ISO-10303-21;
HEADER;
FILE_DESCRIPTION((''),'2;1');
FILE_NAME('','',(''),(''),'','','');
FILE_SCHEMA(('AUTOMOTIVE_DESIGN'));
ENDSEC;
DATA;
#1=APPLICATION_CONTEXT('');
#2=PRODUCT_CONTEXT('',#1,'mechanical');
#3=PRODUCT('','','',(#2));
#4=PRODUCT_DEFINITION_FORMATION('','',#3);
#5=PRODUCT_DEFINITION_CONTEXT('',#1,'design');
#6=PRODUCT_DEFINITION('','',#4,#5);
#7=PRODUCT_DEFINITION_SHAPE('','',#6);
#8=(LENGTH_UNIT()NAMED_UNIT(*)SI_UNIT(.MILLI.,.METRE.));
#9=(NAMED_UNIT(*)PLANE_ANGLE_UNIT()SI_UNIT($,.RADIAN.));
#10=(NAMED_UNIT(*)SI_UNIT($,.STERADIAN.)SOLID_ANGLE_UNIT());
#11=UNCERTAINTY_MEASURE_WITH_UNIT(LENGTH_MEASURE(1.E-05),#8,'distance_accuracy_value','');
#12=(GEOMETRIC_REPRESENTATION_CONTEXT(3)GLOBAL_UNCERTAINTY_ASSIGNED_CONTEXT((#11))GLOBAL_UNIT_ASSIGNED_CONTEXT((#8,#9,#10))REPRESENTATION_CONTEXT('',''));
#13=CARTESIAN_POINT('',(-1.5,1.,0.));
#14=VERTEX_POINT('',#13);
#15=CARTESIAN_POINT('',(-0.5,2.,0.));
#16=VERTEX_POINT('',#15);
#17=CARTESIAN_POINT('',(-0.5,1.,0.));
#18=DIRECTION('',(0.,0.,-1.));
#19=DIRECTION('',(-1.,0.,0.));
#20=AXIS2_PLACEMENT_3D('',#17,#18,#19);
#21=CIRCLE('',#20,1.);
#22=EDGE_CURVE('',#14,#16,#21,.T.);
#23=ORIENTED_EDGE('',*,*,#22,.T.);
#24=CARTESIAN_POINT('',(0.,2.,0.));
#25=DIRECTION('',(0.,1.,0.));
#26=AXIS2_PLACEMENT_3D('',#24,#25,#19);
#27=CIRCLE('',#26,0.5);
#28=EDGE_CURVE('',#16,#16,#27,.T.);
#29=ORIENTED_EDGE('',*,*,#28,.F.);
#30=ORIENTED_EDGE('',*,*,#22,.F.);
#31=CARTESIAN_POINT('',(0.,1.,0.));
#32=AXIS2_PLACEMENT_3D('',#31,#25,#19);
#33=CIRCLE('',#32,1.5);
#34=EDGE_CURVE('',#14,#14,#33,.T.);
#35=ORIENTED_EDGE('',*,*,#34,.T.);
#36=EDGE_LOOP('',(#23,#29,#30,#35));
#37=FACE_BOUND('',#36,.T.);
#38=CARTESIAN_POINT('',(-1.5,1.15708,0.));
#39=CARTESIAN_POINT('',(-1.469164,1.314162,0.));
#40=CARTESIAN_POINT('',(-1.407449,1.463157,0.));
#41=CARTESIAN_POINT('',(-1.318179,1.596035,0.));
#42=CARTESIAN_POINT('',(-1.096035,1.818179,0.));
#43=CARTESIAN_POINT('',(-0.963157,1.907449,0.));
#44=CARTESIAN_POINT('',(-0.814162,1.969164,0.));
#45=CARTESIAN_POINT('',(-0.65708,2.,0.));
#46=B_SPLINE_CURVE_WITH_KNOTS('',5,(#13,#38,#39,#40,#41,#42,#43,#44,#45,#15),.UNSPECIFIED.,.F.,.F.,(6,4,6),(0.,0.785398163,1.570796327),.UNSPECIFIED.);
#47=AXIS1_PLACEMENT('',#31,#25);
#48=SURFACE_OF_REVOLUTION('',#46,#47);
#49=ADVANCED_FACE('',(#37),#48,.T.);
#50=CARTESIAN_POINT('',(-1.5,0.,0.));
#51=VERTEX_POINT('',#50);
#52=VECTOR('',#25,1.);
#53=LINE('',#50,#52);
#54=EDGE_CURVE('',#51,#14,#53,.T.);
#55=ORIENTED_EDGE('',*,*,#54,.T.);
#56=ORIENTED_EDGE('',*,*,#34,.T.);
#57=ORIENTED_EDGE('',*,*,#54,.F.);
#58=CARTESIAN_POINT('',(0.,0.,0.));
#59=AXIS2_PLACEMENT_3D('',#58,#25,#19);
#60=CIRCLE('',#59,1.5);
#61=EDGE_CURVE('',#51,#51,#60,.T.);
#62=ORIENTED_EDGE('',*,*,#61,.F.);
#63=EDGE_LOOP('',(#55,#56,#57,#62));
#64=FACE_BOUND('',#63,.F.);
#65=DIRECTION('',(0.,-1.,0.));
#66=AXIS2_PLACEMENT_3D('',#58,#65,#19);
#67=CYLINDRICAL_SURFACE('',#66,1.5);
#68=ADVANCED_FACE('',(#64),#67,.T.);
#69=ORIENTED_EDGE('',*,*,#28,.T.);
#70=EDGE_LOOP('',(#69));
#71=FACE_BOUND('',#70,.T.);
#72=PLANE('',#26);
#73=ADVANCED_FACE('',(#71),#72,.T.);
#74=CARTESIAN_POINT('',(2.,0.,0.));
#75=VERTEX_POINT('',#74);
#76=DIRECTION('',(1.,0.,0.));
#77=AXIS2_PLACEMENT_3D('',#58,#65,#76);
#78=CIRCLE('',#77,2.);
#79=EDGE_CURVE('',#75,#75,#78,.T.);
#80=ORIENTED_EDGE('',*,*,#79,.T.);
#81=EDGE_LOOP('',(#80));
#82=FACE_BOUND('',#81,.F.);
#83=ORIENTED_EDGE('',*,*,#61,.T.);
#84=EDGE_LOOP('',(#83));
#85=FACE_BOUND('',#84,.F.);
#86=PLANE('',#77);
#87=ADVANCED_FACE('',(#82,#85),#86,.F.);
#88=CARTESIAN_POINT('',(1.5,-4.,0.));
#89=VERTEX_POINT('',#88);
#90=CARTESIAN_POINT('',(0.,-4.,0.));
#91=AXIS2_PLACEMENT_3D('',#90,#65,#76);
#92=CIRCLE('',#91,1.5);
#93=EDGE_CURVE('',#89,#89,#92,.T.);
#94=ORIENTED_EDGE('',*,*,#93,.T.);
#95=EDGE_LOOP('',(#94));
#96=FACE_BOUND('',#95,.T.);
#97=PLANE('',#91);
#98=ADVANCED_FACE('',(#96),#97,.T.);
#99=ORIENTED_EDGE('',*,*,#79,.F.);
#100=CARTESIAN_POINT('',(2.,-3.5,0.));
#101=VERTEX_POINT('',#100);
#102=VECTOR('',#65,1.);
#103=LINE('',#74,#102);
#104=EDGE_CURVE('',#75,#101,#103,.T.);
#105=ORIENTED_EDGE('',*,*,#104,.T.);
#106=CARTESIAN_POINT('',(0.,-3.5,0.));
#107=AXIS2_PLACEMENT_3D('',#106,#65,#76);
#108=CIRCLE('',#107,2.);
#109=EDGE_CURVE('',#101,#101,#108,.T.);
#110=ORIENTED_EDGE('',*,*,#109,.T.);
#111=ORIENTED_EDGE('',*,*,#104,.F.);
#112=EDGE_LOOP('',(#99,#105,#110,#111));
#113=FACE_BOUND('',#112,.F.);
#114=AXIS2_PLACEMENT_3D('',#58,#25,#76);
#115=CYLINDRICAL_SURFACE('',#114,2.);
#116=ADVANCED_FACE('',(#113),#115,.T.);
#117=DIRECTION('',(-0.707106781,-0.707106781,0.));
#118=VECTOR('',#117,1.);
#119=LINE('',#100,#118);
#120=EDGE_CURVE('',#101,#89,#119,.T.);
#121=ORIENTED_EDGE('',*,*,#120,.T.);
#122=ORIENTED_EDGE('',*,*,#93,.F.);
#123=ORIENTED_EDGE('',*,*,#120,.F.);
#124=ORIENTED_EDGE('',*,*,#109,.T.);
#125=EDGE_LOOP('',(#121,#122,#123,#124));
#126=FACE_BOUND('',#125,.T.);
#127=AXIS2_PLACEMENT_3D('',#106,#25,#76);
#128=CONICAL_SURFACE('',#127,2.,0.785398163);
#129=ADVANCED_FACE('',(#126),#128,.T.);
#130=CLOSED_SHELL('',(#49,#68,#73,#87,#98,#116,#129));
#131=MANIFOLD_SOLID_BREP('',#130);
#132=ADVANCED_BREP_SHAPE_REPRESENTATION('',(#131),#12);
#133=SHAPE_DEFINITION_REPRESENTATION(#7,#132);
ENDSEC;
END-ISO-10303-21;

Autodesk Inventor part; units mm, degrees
ref_plane "YZ Plane" through (0, 0, 0) normal (1, 0, 0) x (0, 1, 0)
ref_plane "XZ Plane" through (0, 0, 0) normal (0, 1, 0) x (-1, 0, 0)
ref_plane "XY Plane" through (0, 0, 0) normal (0, 0, 1) x (1, 0, 0)
sketch "Sketch1" plane through (0, 0, 0) normal (0, 1, 0) x (-1, 0, 0)
  circle A0 centre (0, 0) radius 1.5
  dimension "d0" = 3
extrude "Extrusion1" add sketch "Sketch1" along normal blind 2
sketch "Sketch2" plane through (0, 0, 0) normal (0, -1, 0) x (1, 0, 0)
  circle A0 centre (0, 0) radius 2
  dimension "d3" = 4
extrude "Extrusion2" add sketch "Sketch2" along normal blind 4
fillet "Fillet1" radius 1 1 edges at (1.5, 2, 0)
chamfer "Chamfer1" distance 0.5 angle 45 1 edges at (-2, -4, 0)
properties part number "Circular Module"
